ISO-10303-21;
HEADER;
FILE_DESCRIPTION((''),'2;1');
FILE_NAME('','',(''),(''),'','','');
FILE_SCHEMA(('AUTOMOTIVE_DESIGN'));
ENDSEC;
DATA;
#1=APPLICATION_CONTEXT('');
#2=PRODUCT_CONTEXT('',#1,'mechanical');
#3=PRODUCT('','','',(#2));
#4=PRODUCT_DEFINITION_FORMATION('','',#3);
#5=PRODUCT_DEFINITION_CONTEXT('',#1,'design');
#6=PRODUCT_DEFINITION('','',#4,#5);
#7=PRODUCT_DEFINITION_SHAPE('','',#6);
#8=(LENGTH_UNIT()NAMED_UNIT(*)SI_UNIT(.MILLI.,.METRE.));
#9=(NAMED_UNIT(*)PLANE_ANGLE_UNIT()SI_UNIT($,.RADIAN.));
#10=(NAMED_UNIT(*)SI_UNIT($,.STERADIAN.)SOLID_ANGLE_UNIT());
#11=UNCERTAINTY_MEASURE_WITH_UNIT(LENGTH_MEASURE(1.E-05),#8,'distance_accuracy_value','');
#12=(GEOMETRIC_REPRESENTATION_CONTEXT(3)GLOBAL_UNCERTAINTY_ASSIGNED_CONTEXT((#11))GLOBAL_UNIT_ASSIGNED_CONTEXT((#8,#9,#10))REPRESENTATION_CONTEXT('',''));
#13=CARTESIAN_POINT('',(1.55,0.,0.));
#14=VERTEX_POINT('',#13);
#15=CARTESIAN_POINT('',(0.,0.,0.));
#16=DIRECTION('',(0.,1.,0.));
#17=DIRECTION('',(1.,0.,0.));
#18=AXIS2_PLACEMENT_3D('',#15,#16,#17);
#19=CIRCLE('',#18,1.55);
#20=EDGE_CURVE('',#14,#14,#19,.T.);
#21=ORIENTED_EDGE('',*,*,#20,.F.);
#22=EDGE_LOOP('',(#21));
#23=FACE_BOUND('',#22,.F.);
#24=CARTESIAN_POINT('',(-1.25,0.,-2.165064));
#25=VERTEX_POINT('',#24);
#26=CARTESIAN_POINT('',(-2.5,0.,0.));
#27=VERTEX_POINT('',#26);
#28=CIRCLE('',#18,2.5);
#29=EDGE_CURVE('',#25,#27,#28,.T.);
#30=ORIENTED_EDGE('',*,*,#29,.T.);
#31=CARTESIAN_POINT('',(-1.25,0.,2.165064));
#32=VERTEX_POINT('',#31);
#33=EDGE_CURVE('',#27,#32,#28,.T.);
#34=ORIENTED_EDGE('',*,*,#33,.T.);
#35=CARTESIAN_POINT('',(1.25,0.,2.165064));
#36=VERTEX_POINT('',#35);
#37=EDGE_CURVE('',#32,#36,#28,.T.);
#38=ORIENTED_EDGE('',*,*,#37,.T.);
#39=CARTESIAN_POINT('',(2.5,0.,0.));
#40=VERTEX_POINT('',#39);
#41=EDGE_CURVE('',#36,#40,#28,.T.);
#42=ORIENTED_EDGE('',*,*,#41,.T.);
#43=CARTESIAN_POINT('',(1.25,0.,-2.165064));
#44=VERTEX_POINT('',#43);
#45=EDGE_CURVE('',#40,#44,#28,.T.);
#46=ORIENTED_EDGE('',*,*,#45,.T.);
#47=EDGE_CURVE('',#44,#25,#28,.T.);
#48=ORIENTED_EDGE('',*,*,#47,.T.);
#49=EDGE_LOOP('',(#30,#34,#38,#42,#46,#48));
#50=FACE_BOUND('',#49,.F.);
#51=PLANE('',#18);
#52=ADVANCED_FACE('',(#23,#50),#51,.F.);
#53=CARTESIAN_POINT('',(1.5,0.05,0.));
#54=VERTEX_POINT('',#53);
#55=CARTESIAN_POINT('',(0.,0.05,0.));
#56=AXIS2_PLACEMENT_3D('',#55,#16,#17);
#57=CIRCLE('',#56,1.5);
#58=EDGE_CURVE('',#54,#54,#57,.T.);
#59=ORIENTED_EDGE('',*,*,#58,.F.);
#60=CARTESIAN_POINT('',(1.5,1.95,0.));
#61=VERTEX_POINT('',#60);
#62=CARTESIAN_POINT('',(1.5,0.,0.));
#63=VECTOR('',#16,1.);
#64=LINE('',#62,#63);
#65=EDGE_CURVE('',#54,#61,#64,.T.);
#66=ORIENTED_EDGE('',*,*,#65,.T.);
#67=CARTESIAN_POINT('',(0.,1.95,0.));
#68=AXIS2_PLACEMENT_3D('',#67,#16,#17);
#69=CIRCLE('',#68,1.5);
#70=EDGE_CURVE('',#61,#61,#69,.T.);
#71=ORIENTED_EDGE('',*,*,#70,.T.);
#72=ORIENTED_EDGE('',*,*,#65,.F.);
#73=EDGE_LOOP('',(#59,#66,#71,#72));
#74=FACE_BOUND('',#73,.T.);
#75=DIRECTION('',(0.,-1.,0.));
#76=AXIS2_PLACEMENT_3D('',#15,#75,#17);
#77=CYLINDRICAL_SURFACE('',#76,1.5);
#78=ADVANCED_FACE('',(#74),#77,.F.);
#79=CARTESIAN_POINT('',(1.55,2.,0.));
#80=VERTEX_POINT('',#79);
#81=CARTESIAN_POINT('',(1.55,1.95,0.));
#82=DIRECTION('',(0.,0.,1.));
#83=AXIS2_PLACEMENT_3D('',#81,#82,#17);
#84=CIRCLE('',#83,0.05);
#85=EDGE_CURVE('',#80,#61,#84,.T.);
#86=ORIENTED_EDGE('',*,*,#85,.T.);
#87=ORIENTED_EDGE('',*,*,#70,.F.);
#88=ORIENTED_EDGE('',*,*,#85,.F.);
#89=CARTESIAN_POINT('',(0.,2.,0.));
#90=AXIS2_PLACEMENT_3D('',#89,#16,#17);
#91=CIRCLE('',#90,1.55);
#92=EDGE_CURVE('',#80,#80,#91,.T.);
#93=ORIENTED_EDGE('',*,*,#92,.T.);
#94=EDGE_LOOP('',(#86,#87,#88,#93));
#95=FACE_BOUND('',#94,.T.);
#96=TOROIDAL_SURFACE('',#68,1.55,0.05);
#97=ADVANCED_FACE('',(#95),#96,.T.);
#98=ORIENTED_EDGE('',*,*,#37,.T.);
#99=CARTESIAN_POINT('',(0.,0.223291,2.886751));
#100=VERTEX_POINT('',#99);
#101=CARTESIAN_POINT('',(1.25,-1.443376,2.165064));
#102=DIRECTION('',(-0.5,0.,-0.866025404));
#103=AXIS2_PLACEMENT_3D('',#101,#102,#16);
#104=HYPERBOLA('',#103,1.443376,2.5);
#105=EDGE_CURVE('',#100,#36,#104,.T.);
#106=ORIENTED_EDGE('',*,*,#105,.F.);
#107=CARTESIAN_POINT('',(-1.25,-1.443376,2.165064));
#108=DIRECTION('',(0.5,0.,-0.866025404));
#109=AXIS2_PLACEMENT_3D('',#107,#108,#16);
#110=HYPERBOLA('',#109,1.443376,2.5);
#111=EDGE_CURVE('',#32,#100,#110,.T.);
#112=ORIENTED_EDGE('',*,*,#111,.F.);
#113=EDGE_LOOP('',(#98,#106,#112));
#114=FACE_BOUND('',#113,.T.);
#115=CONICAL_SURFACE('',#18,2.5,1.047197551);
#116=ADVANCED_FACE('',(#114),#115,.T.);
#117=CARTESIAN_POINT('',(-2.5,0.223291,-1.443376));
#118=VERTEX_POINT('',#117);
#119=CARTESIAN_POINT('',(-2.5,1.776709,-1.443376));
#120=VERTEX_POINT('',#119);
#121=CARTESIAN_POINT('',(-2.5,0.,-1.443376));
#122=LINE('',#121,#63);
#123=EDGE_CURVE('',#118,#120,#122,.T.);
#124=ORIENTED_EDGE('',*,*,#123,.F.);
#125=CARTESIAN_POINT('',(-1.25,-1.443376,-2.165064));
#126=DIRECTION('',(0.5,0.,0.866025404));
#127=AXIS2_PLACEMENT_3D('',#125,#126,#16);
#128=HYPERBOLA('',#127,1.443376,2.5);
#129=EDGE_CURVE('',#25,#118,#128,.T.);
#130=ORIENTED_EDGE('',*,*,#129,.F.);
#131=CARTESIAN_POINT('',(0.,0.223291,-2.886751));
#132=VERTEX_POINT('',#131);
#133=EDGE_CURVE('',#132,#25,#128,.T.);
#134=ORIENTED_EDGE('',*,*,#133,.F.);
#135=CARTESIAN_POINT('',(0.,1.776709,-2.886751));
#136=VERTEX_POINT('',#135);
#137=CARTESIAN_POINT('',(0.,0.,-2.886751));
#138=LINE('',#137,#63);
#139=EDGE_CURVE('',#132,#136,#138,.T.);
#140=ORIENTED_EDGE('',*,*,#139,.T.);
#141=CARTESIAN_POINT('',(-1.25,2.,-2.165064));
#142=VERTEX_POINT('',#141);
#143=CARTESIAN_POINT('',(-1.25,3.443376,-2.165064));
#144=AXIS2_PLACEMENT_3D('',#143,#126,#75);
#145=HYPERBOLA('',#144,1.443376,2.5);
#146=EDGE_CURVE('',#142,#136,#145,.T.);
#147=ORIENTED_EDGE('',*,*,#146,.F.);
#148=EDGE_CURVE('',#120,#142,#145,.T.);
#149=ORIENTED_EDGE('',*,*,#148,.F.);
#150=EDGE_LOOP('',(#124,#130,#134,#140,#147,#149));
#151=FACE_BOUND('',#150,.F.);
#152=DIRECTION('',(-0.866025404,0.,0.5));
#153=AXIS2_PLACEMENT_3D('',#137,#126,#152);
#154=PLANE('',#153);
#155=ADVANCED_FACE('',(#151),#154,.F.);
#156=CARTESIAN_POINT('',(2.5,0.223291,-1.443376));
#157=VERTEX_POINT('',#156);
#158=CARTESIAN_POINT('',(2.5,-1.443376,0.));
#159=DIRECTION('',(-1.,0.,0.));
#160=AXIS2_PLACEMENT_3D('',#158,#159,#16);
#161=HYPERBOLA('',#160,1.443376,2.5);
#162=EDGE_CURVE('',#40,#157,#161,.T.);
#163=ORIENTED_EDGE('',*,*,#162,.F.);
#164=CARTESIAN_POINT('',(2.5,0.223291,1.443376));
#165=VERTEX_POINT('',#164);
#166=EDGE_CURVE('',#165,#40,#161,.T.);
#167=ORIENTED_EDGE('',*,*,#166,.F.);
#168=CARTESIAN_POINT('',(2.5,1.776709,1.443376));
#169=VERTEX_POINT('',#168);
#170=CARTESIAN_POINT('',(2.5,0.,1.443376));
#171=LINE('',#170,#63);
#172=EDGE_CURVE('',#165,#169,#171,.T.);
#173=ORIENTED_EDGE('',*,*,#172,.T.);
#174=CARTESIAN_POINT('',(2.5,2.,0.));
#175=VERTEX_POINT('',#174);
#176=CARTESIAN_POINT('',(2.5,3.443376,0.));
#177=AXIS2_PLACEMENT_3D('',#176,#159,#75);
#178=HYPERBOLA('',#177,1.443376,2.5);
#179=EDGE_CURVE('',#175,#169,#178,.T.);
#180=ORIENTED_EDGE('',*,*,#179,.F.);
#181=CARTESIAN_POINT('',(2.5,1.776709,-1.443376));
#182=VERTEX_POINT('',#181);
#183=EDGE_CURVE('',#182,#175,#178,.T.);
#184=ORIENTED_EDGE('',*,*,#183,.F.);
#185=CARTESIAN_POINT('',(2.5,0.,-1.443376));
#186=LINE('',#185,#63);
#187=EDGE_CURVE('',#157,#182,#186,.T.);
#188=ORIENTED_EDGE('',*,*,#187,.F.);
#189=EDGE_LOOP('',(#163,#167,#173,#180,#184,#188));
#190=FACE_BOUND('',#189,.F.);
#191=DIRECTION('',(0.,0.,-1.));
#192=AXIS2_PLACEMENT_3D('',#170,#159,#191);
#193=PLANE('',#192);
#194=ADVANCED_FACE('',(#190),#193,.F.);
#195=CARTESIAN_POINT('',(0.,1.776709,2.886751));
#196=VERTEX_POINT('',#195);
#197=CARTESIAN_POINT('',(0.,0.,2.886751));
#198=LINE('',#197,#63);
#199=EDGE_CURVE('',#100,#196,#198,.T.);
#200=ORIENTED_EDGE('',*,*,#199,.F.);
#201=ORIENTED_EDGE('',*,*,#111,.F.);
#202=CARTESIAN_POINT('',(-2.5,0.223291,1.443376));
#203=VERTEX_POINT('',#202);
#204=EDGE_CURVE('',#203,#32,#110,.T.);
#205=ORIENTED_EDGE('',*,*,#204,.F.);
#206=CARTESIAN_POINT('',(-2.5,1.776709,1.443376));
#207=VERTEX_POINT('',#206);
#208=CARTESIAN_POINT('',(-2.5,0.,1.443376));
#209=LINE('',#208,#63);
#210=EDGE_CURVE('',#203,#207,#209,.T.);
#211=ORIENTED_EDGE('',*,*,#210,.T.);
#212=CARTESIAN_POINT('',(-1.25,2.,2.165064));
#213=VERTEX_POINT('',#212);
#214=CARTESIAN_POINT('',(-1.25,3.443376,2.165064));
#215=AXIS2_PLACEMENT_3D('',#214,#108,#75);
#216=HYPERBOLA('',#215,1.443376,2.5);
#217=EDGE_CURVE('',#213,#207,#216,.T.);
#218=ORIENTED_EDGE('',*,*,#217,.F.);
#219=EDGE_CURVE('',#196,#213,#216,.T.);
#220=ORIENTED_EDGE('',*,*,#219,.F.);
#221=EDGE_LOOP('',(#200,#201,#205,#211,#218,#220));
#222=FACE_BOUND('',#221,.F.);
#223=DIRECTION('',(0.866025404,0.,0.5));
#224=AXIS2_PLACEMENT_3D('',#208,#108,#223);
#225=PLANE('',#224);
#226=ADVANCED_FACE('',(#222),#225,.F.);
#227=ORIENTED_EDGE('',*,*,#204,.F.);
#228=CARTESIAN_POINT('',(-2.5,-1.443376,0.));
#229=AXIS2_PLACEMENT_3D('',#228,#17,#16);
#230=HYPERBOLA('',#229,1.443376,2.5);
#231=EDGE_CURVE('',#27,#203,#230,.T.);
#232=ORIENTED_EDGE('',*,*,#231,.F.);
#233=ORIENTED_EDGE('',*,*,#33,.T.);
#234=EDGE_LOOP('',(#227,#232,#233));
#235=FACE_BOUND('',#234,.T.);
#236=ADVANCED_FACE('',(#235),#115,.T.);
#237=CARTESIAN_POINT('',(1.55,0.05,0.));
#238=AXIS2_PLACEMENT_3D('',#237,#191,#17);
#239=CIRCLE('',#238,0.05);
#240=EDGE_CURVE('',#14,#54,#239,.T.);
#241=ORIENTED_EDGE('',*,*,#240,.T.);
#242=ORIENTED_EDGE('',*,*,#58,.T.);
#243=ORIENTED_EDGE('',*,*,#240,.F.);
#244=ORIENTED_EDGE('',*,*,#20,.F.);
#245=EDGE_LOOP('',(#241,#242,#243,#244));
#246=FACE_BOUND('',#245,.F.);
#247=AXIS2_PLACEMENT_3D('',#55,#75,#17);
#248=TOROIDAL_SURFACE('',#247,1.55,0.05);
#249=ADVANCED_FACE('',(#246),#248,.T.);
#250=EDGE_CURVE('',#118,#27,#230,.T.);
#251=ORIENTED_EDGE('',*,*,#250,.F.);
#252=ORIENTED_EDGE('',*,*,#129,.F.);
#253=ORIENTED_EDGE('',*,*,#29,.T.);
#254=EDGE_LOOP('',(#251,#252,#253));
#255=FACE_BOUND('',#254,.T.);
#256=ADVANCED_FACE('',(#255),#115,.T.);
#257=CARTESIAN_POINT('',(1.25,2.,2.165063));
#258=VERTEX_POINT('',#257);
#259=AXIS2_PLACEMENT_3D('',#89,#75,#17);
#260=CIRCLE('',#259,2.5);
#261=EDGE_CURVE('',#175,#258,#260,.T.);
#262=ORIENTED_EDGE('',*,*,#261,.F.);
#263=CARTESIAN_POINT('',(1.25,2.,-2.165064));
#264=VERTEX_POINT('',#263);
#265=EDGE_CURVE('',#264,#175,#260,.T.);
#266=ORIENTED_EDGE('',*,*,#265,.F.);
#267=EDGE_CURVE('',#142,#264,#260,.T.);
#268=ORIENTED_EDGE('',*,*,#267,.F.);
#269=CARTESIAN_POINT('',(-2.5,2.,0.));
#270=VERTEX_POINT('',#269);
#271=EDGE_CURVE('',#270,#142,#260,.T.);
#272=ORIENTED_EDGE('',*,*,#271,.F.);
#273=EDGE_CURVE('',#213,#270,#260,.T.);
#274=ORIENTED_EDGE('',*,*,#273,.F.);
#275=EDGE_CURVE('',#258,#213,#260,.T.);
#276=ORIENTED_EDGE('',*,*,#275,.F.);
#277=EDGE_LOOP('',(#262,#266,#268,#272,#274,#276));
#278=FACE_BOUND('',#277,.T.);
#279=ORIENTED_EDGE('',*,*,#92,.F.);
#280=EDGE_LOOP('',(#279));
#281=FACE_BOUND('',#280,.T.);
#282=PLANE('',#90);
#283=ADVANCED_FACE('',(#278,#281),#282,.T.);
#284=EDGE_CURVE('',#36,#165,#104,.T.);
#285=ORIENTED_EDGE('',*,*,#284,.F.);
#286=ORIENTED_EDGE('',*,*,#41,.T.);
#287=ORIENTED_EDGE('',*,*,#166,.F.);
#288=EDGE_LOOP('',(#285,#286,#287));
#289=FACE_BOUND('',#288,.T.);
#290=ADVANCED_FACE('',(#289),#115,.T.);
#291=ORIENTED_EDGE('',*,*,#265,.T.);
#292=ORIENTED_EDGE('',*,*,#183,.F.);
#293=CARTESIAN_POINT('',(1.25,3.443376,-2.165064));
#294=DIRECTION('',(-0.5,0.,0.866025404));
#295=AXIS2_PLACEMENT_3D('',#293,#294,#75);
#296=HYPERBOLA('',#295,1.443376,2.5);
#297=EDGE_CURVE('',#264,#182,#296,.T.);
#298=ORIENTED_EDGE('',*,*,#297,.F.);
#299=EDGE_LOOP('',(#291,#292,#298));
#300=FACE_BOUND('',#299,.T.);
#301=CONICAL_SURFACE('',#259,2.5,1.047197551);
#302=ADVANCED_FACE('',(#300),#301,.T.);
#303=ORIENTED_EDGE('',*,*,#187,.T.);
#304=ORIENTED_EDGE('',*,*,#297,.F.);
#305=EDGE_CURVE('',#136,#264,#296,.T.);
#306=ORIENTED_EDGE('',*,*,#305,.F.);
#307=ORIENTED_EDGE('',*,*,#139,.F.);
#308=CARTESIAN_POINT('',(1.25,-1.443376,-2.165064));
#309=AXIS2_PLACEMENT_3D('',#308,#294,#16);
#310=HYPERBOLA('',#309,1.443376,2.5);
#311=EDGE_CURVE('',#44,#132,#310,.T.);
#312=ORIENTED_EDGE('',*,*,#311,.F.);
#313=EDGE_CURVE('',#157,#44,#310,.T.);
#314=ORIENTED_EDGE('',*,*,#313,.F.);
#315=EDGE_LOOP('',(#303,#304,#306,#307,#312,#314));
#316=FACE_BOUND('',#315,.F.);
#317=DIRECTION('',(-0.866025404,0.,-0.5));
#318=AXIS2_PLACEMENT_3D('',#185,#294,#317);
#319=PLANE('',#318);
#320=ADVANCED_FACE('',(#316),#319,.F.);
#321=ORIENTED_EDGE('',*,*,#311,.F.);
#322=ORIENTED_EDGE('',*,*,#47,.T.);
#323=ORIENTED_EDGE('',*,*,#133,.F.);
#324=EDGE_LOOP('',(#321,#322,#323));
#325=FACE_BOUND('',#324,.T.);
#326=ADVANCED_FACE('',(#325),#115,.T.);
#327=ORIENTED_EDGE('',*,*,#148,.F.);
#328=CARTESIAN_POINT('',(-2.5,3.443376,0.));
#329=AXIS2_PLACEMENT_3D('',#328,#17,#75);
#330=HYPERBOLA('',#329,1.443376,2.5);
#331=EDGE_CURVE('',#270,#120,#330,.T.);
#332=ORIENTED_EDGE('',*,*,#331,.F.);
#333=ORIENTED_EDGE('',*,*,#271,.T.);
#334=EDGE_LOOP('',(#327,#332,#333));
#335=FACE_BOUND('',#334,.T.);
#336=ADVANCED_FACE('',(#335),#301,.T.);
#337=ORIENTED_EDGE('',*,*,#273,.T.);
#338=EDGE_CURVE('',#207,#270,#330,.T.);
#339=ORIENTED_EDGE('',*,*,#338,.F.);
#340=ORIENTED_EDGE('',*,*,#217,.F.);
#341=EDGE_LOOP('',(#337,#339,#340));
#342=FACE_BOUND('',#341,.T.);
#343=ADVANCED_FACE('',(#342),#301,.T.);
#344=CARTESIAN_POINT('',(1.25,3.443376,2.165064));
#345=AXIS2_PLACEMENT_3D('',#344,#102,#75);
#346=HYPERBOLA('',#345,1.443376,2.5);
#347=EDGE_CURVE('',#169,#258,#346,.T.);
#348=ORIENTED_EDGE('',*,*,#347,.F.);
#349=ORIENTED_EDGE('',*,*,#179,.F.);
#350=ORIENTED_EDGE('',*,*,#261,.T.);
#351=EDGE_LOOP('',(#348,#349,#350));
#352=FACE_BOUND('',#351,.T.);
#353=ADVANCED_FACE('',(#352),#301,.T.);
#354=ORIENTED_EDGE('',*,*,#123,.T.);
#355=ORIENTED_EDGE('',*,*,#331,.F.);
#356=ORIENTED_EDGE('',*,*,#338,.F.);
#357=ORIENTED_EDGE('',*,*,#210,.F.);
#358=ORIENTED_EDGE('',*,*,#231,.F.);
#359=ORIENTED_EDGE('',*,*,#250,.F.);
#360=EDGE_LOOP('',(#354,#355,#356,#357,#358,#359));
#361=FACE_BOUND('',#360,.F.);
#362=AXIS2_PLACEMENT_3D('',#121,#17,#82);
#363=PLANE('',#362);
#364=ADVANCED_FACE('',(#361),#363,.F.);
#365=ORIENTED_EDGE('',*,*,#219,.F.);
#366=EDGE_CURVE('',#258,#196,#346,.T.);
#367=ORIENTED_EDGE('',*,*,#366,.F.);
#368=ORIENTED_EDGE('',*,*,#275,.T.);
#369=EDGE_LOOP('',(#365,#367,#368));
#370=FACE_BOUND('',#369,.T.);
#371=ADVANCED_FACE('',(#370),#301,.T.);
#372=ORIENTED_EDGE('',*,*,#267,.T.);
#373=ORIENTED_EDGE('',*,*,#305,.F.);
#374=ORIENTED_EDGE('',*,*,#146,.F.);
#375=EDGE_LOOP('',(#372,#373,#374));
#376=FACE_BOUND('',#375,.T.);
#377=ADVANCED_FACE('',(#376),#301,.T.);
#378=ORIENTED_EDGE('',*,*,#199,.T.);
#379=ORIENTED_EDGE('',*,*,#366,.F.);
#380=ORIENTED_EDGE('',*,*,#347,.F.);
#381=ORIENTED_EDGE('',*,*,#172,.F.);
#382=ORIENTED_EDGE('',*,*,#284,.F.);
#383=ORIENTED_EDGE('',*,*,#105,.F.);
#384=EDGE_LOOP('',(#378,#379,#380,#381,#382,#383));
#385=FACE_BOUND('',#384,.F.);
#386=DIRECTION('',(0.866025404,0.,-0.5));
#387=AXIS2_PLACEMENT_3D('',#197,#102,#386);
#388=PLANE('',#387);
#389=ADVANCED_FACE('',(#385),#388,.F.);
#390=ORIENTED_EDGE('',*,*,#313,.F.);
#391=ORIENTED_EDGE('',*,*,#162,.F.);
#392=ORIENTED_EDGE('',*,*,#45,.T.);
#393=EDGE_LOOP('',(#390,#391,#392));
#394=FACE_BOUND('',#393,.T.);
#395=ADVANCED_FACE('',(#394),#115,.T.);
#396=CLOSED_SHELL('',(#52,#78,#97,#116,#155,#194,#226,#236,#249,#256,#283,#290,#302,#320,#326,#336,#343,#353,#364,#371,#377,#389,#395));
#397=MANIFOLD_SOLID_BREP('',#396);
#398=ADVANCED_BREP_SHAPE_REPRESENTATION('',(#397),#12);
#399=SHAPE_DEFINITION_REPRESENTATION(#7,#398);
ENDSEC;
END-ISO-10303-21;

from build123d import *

# Parameters (mm, degrees)
SKETCH2_R           = 1.5
BOSS_EXTRUDE1_DEPTH = 2
SKETCH3_OUTSIDE_W   = 15.508
SKETCH3_OUTSIDE_H   = 16.282
SKETCH3_OUTSIDE_R   = 2.5
CUT_EXTRUDE1_DEPTH  = 2
CUT_EXTRUDE1_TAPER  = 60
SKETCH4_OUTSIDE_W   = 15.508
SKETCH4_OUTSIDE_H   = 16.282
SKETCH4_OUTSIDE_R   = 2.5
CUT_EXTRUDE2_DEPTH  = 2
CUT_EXTRUDE2_TAPER  = 60
FILLET1_R           = 0.05


with BuildPart() as part:
    # Sketch2 → Boss-Extrude1 (new body)
    with BuildSketch(Plane(origin=(0, 0, 0), x_dir=(1, 0, 0), z_dir=(0, 1, 0))):
        Polygon((2.5, -1.443375673), (2.5, 1.443375673), (0, 2.886751346), (-2.5, 1.443375673), (-2.5, -1.443375673), (0, -2.886751346), align=None)
        Circle(SKETCH2_R, mode=Mode.SUBTRACT)
    extrude(amount=BOSS_EXTRUDE1_DEPTH)

    # Sketch3 outside → Cut-Extrude1 (cut)
    with BuildSketch(Plane(origin=(0, 2, 0), x_dir=(1, 0, 0), z_dir=(0, 1, 0))):
        Rectangle(SKETCH3_OUTSIDE_W, SKETCH3_OUTSIDE_H)
        Circle(SKETCH3_OUTSIDE_R, mode=Mode.SUBTRACT)
    extrude(amount=-CUT_EXTRUDE1_DEPTH, taper=CUT_EXTRUDE1_TAPER, mode=Mode.SUBTRACT)

    # Sketch4 outside → Cut-Extrude2 (cut)
    with BuildSketch(Plane.XZ):
        Rectangle(SKETCH4_OUTSIDE_W, SKETCH4_OUTSIDE_H)
        Circle(SKETCH4_OUTSIDE_R, mode=Mode.SUBTRACT)
    extrude(amount=-CUT_EXTRUDE2_DEPTH, taper=CUT_EXTRUDE2_TAPER, mode=Mode.SUBTRACT)

    # Fillet1
    fillet1_edges = [part.edges().sort_by_distance(p)[0] for p in [
        (-1.5, 0, 0),
        (-1.5, 2, 0),
    ]]
    fillet(fillet1_edges, radius=FILLET1_R)


solid = part.part
